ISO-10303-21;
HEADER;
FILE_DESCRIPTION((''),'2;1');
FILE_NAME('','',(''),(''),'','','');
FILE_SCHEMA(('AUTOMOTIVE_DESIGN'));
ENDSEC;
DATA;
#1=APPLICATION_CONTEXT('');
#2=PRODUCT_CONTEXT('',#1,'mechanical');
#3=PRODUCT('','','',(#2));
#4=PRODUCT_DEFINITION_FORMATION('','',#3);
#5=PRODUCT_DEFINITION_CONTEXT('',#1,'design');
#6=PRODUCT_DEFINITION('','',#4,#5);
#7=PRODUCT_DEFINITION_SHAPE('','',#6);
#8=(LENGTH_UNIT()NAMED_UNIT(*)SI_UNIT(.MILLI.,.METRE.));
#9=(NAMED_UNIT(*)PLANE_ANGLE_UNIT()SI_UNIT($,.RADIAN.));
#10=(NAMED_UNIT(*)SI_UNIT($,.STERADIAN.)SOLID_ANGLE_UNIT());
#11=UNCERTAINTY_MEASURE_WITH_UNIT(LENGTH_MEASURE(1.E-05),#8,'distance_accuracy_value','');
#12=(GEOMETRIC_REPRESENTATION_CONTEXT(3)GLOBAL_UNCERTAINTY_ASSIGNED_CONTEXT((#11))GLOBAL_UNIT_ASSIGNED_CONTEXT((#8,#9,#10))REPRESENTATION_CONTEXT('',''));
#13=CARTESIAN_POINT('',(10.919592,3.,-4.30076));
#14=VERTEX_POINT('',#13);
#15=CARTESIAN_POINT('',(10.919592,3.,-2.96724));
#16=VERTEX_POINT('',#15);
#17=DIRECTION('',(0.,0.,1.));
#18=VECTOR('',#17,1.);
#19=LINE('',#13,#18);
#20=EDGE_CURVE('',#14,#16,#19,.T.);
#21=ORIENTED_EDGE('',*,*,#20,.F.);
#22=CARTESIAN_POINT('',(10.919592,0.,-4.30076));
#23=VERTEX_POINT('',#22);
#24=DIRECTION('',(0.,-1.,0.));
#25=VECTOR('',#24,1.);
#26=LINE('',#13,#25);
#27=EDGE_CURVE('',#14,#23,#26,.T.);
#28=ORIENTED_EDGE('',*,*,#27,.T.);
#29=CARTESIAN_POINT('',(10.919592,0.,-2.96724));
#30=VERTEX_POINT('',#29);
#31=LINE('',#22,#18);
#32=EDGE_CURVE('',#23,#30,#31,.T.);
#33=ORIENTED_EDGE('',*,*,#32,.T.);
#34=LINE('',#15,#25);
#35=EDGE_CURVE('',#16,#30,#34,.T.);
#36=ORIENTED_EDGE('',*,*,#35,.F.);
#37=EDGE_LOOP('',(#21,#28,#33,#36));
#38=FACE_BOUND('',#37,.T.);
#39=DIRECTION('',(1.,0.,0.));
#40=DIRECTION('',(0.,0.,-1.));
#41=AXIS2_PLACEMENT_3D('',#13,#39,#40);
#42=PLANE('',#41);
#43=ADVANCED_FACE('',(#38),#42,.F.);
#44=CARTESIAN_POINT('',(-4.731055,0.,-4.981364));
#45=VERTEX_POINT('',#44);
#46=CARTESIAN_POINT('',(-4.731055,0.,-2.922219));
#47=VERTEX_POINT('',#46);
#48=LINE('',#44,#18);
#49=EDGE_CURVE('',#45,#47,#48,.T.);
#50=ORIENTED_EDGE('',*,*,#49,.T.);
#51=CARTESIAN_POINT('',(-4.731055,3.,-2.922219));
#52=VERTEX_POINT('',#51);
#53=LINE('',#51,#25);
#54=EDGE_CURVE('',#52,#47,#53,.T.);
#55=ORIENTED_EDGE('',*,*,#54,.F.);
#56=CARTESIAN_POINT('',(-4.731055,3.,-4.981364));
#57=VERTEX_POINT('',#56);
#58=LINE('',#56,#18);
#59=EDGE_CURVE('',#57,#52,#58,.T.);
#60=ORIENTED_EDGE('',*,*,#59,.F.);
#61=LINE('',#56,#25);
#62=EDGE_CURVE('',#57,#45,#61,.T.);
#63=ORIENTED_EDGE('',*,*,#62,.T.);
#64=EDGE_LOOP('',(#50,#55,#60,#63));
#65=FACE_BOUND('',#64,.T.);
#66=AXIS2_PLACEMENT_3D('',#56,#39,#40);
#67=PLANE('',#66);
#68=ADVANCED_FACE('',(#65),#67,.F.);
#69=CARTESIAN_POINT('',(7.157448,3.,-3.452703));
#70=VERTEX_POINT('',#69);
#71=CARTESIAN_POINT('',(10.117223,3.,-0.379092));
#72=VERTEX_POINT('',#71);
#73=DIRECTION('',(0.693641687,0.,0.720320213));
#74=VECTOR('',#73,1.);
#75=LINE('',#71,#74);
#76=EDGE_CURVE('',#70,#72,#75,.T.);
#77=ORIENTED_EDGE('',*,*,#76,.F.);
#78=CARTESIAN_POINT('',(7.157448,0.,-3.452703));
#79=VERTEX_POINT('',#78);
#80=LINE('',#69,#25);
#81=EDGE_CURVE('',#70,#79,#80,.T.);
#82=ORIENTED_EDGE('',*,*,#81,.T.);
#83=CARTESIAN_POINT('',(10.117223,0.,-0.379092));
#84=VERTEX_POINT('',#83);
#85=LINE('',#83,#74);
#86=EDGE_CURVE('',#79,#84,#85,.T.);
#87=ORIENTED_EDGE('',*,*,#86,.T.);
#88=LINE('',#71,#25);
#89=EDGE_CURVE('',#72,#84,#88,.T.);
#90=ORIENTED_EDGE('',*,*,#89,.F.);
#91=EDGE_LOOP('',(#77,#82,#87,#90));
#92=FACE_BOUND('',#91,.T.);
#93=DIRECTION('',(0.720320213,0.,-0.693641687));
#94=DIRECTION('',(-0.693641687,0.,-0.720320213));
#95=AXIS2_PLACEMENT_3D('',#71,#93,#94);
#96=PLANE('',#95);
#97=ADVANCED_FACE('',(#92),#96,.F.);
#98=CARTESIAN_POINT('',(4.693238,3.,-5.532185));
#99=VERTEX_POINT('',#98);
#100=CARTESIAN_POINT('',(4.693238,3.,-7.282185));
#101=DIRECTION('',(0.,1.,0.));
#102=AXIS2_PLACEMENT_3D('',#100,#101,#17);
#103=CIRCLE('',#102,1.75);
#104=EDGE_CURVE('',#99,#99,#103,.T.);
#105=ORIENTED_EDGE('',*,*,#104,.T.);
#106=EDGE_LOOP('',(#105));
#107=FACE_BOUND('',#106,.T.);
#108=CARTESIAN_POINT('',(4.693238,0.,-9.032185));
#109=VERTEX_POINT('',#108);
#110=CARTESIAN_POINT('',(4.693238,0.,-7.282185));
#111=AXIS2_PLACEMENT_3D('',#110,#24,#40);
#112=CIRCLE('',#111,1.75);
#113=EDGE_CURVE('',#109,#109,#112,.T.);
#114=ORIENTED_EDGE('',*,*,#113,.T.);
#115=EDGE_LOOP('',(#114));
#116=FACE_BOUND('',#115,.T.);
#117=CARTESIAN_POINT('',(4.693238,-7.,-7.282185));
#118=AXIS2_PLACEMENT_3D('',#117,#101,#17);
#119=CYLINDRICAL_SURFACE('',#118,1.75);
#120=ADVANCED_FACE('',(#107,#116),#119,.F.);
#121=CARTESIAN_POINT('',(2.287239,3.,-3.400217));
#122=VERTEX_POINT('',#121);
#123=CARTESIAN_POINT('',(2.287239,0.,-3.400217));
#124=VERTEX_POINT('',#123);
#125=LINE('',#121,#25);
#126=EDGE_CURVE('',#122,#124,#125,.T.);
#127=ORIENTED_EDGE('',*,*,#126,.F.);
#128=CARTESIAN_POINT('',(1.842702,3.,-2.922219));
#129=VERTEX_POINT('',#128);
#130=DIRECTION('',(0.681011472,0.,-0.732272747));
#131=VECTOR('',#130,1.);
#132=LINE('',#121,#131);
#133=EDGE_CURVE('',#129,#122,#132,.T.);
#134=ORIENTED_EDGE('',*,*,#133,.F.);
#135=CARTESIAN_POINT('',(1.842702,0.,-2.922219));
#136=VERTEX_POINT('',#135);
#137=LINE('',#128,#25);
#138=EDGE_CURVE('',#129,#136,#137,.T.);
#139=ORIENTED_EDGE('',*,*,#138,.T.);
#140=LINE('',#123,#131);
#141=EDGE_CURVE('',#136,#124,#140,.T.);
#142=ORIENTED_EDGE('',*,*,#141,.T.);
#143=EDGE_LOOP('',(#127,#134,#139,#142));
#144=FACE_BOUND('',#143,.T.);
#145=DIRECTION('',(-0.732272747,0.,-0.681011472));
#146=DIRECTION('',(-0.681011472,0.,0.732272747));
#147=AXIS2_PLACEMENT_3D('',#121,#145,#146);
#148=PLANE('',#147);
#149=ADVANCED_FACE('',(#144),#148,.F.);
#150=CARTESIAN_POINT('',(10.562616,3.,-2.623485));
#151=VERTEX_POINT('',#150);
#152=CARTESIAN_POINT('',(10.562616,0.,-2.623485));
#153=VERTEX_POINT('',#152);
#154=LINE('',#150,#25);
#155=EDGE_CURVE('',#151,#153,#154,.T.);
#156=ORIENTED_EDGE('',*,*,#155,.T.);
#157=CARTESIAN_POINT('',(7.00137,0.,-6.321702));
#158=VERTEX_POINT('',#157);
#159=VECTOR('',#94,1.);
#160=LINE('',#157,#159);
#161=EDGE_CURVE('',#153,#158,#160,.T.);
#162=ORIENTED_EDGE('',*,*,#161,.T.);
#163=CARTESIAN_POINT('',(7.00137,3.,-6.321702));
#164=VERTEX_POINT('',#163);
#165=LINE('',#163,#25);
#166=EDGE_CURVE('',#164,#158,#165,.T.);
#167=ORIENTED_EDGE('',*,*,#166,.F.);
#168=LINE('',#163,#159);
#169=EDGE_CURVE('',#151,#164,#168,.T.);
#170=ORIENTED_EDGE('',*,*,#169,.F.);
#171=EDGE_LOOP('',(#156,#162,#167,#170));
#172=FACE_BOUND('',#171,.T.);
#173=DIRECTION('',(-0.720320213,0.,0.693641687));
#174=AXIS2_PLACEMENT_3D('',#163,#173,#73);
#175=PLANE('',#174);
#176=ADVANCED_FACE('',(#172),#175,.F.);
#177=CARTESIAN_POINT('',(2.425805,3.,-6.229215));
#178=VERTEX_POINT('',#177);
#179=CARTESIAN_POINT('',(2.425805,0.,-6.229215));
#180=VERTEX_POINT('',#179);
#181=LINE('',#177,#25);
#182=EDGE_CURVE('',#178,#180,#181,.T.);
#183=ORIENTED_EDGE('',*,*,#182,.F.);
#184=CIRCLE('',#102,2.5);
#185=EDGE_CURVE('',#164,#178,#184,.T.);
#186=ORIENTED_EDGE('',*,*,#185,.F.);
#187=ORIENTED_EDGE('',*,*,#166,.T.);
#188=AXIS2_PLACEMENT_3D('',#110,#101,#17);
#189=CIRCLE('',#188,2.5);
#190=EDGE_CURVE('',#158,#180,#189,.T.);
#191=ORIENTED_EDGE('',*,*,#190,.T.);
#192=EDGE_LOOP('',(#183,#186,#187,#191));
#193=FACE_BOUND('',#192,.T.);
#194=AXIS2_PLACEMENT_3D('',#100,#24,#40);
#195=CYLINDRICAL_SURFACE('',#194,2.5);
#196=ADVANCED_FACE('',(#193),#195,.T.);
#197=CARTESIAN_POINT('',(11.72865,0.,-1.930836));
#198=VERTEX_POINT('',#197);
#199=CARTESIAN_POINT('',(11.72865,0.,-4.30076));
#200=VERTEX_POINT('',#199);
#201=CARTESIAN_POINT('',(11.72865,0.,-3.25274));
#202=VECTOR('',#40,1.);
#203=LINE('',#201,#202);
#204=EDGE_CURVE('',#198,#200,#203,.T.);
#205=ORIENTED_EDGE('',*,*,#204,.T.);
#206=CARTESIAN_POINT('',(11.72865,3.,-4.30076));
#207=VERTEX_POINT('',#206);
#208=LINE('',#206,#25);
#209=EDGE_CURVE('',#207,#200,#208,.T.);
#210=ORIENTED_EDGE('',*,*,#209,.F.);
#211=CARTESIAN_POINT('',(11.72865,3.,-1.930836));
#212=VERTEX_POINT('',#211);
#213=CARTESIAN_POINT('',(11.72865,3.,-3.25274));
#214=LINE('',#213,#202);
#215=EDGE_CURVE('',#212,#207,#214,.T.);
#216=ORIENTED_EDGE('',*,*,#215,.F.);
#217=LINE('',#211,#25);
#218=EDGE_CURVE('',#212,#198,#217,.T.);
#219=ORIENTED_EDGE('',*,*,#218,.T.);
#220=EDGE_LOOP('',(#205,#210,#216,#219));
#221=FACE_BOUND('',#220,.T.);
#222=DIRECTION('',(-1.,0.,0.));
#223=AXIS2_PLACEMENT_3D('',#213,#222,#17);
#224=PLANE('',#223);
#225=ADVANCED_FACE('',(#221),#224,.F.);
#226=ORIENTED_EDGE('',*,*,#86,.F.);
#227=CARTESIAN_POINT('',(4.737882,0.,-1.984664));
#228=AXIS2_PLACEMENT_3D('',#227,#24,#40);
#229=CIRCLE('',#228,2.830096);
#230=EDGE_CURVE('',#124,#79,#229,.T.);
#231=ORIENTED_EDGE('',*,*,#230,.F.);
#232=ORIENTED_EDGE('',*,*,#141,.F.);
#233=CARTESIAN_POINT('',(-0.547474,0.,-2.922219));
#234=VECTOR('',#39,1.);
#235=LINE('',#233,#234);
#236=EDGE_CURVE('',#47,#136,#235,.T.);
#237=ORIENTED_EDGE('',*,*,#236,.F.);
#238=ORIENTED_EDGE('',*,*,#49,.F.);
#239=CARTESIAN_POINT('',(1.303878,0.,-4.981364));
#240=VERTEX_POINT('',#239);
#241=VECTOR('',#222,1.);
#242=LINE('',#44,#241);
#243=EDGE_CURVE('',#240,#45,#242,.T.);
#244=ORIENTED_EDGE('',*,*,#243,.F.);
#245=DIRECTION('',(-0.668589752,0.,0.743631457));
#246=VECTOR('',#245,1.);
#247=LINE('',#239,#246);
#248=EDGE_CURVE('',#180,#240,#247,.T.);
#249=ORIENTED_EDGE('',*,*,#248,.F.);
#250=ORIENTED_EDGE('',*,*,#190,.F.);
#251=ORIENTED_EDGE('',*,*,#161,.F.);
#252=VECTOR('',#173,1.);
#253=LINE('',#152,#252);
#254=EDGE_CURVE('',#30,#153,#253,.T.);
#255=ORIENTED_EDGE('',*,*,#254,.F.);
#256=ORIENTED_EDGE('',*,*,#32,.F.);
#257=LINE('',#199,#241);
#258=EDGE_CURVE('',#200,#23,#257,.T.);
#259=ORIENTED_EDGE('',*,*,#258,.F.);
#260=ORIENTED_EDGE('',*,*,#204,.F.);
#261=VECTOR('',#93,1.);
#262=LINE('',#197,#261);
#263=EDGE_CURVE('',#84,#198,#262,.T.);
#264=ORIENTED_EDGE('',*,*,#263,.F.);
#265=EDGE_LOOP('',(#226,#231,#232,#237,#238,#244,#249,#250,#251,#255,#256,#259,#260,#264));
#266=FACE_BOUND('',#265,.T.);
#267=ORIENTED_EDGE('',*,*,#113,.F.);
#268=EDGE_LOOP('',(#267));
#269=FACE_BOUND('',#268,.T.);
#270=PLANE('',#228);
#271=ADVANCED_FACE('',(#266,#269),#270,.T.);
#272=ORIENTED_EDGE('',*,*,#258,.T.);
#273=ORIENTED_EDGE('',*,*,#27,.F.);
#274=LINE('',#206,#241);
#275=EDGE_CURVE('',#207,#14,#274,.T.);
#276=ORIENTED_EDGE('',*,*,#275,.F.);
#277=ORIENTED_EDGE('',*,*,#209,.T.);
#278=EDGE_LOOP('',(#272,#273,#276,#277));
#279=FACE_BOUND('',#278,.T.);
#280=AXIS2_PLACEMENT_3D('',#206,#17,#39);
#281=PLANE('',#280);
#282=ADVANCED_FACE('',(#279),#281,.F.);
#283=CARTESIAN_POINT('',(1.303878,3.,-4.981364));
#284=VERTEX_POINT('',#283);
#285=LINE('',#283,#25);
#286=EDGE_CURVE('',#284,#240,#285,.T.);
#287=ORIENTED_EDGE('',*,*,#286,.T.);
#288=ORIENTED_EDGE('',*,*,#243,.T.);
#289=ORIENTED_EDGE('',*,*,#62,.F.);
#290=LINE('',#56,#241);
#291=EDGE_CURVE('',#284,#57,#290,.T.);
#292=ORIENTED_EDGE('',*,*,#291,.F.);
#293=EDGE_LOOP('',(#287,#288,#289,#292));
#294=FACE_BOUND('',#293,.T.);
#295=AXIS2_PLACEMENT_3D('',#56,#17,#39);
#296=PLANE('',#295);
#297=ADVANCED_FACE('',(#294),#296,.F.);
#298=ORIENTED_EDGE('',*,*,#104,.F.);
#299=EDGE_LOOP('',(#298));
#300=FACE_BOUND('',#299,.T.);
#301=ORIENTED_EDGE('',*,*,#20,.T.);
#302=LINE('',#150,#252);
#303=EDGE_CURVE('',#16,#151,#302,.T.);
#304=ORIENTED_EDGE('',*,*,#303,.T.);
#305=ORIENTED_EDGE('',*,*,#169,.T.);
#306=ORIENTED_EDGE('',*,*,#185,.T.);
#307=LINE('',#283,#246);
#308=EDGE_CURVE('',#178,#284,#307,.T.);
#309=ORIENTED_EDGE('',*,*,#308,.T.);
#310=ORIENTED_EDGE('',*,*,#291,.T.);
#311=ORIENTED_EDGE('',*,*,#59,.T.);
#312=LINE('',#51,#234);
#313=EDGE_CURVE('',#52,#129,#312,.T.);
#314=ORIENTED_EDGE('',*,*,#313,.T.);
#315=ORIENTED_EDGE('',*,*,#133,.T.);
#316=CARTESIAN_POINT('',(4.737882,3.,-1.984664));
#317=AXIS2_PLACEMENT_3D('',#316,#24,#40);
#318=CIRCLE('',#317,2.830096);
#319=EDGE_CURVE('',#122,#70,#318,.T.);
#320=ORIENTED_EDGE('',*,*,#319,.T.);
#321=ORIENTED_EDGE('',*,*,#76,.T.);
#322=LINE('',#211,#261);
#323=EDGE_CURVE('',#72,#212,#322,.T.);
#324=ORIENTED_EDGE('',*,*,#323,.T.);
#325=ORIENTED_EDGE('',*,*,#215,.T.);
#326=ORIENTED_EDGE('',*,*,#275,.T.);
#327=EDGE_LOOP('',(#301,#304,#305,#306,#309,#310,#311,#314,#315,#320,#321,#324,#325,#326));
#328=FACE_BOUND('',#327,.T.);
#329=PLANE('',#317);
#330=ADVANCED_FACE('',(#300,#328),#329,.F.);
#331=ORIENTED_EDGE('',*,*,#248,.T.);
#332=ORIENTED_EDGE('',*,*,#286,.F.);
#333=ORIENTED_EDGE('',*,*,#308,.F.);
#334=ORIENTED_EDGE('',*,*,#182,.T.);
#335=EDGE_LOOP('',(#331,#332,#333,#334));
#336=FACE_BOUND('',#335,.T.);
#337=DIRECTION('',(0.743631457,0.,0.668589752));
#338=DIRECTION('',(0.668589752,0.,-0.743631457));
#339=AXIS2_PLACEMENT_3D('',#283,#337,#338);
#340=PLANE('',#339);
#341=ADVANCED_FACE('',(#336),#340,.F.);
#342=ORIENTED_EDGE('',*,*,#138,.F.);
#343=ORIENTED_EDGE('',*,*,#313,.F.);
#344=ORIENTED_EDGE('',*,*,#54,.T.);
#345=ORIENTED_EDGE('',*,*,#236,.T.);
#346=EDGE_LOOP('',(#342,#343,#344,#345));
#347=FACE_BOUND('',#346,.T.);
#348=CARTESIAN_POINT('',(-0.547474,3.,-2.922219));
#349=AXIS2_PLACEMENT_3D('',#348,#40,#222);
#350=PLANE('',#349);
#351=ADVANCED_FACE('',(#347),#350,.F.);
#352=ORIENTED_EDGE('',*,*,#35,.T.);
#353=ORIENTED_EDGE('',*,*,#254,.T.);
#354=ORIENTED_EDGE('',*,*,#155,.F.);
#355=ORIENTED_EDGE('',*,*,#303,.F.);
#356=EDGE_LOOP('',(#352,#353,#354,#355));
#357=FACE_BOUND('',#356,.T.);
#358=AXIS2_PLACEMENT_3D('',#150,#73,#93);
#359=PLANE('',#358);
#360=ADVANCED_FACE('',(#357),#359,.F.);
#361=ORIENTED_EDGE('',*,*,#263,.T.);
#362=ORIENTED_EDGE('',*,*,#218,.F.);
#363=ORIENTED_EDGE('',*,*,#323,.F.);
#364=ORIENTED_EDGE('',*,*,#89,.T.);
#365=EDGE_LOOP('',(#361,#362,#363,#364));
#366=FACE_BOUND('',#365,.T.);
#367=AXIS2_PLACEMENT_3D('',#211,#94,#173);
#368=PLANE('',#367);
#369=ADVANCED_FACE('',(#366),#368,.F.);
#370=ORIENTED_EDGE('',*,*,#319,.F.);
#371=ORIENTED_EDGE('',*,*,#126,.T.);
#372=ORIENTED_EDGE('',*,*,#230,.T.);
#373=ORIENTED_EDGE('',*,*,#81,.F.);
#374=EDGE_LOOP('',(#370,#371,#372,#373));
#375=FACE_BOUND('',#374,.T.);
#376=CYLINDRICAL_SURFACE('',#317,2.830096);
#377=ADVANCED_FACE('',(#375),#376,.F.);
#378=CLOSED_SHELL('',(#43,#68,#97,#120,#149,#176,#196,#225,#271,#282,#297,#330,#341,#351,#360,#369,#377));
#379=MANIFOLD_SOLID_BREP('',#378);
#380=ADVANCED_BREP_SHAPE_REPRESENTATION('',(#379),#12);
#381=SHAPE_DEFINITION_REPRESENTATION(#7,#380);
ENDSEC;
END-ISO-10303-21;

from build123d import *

# Parameters (mm, degrees)
EXTRUDE_1_DEPTH     = 3
SKETCH_3_R          = 1.75
CUT_EXTRUDE_1_DEPTH = 10


with BuildPart() as part:
    # Эскиз1 → Бобышка-Вытянуть1 (new body)
    with BuildSketch(Plane(origin=(0, 0, 0), x_dir=(1, 0, 0), z_dir=(0, 1, 0))):
        with BuildLine():
            Line((1.303877519, 4.981364115), (2.425804873, 6.229215237))
            ThreePointArc((2.425804873, 6.229215237), (4.642715437, 9.781674692), (7.001370076, 6.321702305))
            Line((7.001370076, 6.321702305), (10.562616141, 2.623485237))
            Line((10.562616141, 2.623485237), (10.919592499, 2.967240249))
            Line((10.919592499, 2.967240249), (10.919592499, 4.300759927))
            Line((10.919592499, 4.300759927), (11.728649514, 4.300759927))
            Line((11.728649514, 4.300759927), (11.728649514, 3.252739503))
            Line((11.728649514, 3.252739503), (11.728649514, 1.930836158))
            Line((11.728649514, 1.930836158), (10.117222577, 0.3790917))
            Line((10.117222577, 0.3790917), (7.157448349, 3.452703399))
            ThreePointArc((7.157448349, 3.452703399), (4.707383461, 4.814595243), (2.287238645, 3.400216789))
            Line((2.287238645, 3.400216789), (1.842702366, 2.922219258))
            Line((1.842702366, 2.922219258), (-0.547473895, 2.922219258))
            Line((-0.547473895, 2.922219258), (-4.731054927, 2.922219258))
            Line((-4.731054927, 2.922219258), (-4.731054927, 4.981364115))
            Line((-4.731054927, 4.981364115), (1.303877519, 4.981364115))
        make_face()
    extrude(amount=EXTRUDE_1_DEPTH)

    # Эскиз3 → Вырез-Вытянуть1 (cut)
    with BuildSketch(Plane(origin=(0, 3, 0), x_dir=(1, 0, 0), z_dir=(0, 1, 0))):
        with Locations(Location((4.693238255, 7.282185255, 0), (0, 0, 270))):
            Circle(SKETCH_3_R)
    extrude(amount=-CUT_EXTRUDE_1_DEPTH, mode=Mode.SUBTRACT)


solid = part.part
